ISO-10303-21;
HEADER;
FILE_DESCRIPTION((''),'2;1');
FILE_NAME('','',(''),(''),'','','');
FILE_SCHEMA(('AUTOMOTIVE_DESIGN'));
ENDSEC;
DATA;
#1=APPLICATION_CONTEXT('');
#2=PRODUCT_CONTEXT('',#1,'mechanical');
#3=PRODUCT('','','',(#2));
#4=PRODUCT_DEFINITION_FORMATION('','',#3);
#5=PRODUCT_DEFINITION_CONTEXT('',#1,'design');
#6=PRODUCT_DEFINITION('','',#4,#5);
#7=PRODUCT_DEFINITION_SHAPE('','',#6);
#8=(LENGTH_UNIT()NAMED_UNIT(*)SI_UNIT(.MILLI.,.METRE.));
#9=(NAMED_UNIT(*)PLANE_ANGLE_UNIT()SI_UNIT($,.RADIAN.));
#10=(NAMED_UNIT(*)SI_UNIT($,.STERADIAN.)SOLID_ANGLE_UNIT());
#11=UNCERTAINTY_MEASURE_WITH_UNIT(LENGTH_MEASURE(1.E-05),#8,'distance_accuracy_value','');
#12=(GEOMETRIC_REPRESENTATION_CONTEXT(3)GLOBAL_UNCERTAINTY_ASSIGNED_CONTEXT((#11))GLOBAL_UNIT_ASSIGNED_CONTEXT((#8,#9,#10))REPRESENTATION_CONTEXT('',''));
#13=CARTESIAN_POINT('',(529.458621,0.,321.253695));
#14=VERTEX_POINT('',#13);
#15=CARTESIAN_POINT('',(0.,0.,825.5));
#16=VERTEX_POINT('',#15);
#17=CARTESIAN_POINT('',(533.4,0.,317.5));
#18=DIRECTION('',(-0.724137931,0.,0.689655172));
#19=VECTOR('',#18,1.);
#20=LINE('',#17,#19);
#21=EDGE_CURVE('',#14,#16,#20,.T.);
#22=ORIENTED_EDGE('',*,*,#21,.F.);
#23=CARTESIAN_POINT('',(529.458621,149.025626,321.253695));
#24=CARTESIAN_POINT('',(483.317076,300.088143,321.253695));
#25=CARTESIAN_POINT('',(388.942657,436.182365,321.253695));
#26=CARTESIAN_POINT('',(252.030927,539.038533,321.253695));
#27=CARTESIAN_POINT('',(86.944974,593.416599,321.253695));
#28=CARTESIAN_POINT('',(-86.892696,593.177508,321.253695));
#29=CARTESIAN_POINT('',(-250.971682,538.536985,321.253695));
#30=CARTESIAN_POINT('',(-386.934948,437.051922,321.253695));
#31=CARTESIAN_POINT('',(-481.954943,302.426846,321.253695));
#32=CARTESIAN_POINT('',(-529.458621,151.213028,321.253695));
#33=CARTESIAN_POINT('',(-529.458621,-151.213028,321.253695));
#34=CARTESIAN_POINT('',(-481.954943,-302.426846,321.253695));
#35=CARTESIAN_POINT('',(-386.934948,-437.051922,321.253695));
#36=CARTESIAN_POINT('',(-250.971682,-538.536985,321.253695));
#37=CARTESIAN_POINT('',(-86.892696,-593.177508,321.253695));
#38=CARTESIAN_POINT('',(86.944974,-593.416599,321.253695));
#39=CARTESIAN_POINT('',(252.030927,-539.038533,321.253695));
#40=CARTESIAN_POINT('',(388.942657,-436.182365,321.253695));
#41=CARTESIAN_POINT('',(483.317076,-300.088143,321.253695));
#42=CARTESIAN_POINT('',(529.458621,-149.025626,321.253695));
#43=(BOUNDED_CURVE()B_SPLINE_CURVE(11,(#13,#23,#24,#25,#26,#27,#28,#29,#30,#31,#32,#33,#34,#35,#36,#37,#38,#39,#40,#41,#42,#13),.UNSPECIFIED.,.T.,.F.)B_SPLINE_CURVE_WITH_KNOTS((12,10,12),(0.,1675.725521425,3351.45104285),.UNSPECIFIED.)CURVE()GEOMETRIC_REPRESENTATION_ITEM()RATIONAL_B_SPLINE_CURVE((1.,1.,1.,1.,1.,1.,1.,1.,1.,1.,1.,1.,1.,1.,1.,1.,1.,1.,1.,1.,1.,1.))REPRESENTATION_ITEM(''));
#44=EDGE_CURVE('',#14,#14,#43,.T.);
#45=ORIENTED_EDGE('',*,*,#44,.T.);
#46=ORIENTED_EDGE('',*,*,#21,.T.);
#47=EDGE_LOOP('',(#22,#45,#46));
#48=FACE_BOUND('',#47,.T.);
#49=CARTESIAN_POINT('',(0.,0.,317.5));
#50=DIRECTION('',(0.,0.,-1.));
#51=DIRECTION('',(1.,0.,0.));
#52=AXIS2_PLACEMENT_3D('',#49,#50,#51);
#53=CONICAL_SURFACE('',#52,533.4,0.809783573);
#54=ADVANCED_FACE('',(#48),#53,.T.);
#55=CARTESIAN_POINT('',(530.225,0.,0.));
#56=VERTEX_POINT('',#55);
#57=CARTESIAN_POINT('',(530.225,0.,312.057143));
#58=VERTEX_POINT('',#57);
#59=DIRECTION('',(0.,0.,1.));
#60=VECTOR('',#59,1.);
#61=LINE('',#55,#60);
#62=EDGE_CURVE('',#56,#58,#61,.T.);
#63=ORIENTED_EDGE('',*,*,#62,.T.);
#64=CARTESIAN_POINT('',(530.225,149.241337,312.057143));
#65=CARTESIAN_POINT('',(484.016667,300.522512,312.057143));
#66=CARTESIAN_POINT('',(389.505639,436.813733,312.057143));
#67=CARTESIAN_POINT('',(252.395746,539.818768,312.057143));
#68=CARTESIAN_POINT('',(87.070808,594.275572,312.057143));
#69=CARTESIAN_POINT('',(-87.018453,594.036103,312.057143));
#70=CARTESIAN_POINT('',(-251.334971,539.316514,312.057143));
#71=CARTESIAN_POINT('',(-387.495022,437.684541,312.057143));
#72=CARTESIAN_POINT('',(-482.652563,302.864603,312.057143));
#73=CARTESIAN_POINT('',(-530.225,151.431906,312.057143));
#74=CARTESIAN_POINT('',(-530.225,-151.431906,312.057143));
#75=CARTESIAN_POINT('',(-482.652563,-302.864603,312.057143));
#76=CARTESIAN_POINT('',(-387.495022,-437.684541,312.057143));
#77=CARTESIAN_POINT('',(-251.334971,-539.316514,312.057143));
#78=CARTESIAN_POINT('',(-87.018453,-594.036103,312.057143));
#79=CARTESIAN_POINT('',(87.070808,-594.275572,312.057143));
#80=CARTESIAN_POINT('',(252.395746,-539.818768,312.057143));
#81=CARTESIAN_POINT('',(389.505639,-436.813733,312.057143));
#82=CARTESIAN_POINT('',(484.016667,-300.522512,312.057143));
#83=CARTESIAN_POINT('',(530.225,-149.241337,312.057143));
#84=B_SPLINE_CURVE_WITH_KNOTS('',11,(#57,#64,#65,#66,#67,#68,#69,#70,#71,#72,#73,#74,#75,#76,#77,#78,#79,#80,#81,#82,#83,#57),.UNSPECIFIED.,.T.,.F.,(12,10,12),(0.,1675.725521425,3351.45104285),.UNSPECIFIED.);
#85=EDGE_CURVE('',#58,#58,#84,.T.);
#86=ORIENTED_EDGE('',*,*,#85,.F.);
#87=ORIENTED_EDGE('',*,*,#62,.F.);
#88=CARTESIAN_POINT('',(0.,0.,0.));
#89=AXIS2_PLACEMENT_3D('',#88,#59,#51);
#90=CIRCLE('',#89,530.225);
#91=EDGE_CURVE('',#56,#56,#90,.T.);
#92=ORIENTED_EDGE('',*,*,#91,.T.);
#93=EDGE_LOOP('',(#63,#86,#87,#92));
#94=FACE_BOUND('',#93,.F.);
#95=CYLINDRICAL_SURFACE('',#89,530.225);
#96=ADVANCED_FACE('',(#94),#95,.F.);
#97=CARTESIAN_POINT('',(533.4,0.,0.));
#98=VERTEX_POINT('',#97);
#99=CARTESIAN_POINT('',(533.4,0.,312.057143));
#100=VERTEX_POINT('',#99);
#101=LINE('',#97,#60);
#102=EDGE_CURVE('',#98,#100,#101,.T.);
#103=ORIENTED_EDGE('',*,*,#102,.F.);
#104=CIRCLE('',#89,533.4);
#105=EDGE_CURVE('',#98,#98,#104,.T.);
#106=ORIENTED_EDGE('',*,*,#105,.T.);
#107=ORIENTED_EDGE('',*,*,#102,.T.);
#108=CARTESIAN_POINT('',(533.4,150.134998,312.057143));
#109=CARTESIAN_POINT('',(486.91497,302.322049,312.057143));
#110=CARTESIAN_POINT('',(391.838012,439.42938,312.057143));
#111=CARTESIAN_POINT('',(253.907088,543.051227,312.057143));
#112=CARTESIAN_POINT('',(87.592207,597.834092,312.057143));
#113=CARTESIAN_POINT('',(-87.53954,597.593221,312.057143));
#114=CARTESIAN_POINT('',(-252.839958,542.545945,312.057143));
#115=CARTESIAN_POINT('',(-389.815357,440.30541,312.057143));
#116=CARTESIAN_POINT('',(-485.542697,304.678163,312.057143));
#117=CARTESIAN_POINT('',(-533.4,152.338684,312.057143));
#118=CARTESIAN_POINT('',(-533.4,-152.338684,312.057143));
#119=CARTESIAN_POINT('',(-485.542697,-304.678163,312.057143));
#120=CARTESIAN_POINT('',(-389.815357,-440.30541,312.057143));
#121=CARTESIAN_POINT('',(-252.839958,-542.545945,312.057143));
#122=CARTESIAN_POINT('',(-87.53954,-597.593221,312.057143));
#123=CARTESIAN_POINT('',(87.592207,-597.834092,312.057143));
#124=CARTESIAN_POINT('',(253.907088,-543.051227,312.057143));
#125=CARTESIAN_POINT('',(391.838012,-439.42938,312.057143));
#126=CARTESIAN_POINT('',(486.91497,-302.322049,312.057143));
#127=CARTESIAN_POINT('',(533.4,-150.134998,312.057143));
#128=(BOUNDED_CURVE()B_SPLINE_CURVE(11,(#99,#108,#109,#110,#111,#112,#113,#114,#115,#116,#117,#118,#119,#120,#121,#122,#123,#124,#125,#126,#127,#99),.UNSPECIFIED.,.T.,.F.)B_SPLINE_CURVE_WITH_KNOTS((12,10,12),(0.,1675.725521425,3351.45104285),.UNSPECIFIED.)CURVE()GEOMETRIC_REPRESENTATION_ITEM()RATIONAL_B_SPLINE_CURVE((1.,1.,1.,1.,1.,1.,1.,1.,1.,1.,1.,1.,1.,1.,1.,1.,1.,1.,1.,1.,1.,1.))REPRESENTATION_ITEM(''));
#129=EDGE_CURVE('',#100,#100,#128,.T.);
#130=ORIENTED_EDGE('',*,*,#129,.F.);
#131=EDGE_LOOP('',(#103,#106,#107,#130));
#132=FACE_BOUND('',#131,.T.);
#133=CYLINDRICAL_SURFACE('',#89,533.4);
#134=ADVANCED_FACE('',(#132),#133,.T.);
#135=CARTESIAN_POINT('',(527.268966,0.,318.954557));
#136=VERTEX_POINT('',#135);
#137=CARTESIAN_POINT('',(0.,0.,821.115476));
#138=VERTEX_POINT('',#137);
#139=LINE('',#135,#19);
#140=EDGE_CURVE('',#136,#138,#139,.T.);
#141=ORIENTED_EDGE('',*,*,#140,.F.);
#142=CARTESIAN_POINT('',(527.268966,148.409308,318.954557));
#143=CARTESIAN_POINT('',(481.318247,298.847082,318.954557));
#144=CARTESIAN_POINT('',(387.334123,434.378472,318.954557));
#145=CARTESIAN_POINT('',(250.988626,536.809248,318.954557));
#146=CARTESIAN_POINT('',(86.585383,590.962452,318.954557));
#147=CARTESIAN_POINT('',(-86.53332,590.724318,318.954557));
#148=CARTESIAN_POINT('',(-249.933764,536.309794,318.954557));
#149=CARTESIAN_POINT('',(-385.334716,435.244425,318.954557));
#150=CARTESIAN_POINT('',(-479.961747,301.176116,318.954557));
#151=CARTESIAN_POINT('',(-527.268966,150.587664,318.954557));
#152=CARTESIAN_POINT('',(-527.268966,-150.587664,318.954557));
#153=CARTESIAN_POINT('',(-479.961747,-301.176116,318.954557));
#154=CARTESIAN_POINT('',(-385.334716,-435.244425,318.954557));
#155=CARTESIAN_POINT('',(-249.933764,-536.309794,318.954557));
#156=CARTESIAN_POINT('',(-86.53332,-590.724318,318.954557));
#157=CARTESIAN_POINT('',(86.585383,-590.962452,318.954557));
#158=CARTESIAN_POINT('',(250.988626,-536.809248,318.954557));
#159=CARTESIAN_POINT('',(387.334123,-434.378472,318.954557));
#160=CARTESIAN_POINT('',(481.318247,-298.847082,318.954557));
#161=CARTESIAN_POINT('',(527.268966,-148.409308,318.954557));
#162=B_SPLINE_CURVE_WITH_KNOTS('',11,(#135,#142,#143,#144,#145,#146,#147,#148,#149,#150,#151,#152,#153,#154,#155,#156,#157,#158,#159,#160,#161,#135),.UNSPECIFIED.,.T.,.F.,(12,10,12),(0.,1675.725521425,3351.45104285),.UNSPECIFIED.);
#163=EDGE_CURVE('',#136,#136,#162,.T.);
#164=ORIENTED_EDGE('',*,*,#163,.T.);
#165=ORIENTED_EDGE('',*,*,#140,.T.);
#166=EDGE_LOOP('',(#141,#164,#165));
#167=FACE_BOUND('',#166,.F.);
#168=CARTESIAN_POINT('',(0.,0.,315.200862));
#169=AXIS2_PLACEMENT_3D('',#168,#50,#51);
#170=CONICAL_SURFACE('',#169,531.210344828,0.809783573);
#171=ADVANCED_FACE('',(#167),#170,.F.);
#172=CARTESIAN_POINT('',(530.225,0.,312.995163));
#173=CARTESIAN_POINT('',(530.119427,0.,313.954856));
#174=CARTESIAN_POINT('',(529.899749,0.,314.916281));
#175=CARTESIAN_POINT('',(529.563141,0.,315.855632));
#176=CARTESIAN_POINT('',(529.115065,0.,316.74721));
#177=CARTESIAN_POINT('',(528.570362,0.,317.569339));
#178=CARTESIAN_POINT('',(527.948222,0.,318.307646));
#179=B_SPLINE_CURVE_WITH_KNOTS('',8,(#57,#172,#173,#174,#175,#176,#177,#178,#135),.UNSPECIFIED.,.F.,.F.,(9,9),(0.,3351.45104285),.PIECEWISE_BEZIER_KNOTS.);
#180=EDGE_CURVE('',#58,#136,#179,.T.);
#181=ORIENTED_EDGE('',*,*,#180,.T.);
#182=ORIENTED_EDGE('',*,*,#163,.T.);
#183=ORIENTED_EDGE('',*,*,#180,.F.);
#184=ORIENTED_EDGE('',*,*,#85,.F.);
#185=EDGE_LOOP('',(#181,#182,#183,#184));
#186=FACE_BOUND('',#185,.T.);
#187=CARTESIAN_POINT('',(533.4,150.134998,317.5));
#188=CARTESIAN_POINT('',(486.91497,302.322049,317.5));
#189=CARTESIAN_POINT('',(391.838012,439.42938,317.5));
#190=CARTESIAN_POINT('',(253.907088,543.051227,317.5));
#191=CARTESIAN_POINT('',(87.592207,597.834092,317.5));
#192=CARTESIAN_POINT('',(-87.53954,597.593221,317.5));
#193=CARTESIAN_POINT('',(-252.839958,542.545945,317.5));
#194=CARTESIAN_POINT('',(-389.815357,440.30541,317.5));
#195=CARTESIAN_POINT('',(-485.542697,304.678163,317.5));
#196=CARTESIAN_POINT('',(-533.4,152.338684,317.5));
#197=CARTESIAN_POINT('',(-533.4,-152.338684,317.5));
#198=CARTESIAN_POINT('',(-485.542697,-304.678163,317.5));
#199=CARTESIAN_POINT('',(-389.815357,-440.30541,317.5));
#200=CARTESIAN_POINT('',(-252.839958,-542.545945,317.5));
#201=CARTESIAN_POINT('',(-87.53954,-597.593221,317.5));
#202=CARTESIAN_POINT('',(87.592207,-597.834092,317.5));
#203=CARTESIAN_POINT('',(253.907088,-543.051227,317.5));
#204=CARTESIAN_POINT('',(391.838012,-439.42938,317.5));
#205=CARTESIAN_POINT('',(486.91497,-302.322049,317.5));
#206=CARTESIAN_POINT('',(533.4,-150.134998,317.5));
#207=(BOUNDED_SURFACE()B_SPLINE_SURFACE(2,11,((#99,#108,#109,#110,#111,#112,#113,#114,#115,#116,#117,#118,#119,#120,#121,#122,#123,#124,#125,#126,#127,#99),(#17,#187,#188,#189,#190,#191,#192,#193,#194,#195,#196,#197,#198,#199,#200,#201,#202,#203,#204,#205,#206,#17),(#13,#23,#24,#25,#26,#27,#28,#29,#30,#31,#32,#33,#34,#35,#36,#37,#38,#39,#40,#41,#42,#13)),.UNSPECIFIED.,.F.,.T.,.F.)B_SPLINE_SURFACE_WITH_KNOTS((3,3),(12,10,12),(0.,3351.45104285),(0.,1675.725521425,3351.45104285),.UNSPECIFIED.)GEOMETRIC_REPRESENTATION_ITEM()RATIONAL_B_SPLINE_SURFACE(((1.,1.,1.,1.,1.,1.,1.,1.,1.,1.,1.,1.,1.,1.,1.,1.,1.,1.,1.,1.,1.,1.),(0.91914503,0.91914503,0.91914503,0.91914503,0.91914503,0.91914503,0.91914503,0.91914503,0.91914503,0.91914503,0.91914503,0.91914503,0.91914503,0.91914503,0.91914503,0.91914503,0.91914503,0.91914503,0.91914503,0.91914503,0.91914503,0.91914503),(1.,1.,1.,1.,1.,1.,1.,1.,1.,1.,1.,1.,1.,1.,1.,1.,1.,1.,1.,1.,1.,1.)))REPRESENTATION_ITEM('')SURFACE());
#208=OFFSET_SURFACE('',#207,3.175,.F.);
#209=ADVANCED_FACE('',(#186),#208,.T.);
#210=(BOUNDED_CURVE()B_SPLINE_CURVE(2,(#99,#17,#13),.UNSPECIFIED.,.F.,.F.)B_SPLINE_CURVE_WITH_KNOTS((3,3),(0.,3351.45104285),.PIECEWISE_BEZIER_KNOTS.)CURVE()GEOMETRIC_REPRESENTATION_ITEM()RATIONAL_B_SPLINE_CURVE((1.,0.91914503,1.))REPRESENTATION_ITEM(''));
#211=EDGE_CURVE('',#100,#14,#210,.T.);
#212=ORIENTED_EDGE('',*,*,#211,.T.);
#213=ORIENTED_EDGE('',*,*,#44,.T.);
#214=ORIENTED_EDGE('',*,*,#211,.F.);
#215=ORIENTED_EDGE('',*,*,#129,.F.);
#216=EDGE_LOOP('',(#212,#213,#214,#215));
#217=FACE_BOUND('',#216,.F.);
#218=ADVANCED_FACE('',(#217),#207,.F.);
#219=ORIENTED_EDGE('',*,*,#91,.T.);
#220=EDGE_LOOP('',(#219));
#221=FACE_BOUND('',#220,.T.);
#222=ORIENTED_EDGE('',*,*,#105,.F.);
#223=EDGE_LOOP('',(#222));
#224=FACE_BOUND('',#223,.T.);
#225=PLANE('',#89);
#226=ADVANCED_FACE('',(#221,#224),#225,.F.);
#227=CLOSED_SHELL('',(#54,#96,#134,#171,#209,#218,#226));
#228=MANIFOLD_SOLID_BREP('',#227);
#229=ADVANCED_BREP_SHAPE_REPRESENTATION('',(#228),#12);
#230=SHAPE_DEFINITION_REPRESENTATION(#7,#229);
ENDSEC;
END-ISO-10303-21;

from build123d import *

# Parameters (mm, degrees)
F2_R = 12.7
F3_T = -3.175


with BuildPart() as f1:
    # F0 (on Front) → F1 (revolve)
    with BuildSketch(Plane.XZ):
        Polygon((0, 825.5), (0, 0), (533.4, 0), (533.4, 317.5), align=None)
    revolve(axis=Axis((0, 0, 412.75), (0, 0, 1)))

    # F2
    f2_edges = [f1.edges().sort_by_distance(p)[0] for p in [
        (-533.4, 0, 317.5),
    ]]
    fillet(f2_edges, radius=F2_R)

    # F3
    f3_openings = [f1.faces().sort_by_distance(p)[0] for p in [
        (0, 0, 0),
    ]]
    offset(amount=F3_T, openings=f3_openings)


solid = f1.part
